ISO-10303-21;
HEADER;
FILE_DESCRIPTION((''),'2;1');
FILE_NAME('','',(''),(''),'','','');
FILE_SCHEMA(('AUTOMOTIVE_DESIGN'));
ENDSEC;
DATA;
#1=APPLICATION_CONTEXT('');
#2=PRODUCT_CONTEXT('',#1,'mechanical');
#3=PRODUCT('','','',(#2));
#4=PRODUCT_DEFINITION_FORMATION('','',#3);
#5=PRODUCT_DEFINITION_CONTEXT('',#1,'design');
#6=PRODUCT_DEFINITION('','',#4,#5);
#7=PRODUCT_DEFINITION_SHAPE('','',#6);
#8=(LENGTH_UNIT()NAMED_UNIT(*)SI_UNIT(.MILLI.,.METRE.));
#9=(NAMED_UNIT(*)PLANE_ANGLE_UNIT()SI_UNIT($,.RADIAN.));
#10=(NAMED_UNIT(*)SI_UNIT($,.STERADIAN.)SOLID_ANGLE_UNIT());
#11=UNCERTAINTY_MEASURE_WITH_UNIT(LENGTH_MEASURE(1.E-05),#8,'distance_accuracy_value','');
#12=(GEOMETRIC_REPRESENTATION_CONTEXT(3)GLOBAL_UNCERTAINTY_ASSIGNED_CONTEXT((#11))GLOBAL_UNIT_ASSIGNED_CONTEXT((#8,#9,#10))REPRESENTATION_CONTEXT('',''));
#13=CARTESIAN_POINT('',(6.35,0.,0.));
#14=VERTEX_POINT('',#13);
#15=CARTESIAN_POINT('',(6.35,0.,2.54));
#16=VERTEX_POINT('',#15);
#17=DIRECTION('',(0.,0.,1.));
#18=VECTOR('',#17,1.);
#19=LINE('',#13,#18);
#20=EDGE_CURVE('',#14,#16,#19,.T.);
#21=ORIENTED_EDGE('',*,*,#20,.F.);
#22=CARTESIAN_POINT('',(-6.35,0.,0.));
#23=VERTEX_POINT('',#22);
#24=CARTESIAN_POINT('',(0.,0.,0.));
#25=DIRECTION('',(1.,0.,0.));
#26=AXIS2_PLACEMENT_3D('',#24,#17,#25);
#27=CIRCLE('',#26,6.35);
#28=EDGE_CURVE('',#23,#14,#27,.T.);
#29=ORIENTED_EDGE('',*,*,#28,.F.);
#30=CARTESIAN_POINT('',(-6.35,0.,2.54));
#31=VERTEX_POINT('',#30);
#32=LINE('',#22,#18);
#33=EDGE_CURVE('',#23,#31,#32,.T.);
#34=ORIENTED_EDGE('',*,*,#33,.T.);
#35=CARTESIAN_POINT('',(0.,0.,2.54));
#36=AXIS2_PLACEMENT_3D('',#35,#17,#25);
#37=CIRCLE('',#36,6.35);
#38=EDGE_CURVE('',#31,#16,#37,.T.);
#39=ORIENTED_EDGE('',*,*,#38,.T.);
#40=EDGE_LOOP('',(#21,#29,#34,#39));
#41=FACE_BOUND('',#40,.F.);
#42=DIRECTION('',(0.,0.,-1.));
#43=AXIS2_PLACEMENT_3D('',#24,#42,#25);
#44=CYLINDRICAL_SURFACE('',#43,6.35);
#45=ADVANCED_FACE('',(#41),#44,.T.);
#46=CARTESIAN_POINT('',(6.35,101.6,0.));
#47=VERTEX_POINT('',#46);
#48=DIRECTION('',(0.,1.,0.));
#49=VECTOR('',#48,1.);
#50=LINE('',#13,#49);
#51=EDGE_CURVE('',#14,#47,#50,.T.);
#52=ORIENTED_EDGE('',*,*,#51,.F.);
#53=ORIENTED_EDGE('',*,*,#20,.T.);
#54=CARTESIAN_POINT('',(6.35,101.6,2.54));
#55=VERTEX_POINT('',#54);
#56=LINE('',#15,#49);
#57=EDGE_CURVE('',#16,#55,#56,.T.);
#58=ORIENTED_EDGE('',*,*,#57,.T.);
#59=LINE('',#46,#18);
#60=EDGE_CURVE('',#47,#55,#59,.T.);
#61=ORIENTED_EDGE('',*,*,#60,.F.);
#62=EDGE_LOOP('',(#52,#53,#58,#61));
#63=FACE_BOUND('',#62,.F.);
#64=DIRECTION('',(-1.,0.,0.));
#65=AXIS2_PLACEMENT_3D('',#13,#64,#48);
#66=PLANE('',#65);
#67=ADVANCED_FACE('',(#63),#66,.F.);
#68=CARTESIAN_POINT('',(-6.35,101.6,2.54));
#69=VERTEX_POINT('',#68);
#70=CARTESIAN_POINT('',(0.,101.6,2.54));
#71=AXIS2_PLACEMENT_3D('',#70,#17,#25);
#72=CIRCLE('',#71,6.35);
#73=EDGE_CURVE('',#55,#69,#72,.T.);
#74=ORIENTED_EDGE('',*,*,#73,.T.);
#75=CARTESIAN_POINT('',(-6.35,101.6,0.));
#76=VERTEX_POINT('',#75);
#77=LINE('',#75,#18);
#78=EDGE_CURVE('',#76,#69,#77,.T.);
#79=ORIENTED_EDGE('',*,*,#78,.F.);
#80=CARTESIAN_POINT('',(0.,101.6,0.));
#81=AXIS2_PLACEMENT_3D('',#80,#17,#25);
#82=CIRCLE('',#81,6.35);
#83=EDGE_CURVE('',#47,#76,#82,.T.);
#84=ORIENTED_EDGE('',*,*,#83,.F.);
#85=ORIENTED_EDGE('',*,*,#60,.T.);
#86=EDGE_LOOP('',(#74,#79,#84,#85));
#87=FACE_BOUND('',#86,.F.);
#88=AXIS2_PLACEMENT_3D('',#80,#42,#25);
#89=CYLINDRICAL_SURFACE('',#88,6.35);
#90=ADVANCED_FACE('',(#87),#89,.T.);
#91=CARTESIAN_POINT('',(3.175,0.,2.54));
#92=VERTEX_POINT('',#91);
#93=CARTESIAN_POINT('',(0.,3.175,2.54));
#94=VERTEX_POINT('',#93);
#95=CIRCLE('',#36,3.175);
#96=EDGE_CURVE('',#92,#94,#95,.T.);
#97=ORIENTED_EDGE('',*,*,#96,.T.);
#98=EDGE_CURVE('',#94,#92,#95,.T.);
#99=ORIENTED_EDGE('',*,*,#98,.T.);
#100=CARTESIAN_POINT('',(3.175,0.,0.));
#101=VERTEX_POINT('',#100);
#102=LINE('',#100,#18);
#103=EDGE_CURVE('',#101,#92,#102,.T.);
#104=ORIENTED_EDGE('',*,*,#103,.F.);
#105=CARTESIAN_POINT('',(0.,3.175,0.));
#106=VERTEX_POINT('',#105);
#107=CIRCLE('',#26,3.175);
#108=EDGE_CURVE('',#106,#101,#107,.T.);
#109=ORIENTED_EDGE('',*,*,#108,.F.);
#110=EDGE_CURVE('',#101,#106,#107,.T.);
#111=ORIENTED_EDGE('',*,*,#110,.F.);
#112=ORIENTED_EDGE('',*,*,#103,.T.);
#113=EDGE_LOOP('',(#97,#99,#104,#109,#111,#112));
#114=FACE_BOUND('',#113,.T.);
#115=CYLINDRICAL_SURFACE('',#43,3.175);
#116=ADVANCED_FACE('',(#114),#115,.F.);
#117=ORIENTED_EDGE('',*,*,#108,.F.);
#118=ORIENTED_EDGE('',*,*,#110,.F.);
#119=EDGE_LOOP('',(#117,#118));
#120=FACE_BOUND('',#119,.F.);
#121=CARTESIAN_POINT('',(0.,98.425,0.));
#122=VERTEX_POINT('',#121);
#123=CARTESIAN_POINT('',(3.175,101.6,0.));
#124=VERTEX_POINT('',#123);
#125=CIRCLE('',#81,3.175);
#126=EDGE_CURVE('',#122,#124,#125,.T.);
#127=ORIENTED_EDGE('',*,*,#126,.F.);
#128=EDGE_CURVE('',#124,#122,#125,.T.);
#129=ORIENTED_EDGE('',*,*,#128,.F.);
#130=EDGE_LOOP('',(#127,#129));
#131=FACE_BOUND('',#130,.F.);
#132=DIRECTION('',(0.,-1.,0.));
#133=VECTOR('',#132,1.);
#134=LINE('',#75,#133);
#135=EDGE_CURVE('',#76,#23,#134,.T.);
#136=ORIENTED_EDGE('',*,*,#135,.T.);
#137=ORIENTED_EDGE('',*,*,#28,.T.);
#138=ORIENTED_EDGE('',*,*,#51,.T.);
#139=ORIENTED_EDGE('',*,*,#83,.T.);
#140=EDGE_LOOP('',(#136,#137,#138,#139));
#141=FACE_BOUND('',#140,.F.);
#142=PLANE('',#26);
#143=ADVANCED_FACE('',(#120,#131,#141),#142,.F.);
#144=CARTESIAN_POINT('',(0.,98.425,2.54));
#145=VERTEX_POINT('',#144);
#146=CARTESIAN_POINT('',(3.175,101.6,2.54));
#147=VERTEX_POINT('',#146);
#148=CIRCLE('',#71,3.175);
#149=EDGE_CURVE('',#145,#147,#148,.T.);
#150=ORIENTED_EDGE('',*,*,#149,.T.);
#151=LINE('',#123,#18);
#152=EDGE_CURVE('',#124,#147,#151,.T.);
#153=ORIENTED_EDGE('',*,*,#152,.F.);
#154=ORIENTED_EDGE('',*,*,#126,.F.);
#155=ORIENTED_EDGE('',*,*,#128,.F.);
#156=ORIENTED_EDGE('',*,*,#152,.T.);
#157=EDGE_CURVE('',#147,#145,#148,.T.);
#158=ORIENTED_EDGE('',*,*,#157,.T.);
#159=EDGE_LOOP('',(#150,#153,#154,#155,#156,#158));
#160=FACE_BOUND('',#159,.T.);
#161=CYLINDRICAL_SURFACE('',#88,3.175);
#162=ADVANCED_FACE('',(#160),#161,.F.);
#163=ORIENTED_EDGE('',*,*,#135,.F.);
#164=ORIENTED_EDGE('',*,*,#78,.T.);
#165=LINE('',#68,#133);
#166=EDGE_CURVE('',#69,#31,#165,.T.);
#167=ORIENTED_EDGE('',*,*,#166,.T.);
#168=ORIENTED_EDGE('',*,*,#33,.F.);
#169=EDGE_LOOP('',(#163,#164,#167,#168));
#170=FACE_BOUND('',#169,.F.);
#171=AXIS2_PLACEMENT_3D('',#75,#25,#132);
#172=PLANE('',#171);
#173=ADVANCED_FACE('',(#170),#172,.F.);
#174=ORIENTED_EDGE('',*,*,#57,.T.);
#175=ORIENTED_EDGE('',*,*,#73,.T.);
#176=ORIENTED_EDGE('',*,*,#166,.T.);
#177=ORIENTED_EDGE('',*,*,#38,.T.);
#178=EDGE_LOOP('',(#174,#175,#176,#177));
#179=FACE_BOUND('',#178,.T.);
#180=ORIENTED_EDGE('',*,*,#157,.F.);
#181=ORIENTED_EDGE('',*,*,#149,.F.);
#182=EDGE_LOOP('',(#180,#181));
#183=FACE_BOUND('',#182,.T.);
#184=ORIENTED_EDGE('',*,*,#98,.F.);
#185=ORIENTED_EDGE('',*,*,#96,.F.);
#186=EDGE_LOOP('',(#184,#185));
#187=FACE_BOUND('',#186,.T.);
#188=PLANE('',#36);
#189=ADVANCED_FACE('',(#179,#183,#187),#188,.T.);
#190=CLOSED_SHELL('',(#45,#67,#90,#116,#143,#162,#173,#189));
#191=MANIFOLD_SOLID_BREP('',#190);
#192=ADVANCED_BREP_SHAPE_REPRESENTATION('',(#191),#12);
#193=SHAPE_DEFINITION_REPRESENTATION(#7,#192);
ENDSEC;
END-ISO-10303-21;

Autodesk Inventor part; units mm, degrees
ref_plane "YZ Plane" through (0, 0, 0) normal (1, 0, 0) x (0, 1, 0)
ref_plane "XZ Plane" through (0, 0, 0) normal (0, 1, 0) x (-1, 0, 0)
ref_plane "XY Plane" through (0, 0, 0) normal (0, 0, 1) x (1, 0, 0)
sketch "Sketch1" plane through (0, 0, 0) normal (0, 0, 1) x (1, 0, 0)
  circle A0 centre (0, 0) radius 6.35
  circle A1 centre (0, 0) radius 3.175
  line L0 (0, 0) -> (0, 101.6)
  circle A2 centre (0, 101.6) radius 6.35
  circle A3 centre (0, 101.6) radius 3.175
  line L1 (-6.35, 101.6) -> (-6.35, 0)
  line L2 (6.35, 0) -> (6.35, 101.6)
  dimension "d1" = 12.7
  dimension "d2" = 6.35
  dimension "d4" = 101.6
extrude "Extrusion1" add sketch "Sketch1" along normal blind 2.54
properties part number "arm"
